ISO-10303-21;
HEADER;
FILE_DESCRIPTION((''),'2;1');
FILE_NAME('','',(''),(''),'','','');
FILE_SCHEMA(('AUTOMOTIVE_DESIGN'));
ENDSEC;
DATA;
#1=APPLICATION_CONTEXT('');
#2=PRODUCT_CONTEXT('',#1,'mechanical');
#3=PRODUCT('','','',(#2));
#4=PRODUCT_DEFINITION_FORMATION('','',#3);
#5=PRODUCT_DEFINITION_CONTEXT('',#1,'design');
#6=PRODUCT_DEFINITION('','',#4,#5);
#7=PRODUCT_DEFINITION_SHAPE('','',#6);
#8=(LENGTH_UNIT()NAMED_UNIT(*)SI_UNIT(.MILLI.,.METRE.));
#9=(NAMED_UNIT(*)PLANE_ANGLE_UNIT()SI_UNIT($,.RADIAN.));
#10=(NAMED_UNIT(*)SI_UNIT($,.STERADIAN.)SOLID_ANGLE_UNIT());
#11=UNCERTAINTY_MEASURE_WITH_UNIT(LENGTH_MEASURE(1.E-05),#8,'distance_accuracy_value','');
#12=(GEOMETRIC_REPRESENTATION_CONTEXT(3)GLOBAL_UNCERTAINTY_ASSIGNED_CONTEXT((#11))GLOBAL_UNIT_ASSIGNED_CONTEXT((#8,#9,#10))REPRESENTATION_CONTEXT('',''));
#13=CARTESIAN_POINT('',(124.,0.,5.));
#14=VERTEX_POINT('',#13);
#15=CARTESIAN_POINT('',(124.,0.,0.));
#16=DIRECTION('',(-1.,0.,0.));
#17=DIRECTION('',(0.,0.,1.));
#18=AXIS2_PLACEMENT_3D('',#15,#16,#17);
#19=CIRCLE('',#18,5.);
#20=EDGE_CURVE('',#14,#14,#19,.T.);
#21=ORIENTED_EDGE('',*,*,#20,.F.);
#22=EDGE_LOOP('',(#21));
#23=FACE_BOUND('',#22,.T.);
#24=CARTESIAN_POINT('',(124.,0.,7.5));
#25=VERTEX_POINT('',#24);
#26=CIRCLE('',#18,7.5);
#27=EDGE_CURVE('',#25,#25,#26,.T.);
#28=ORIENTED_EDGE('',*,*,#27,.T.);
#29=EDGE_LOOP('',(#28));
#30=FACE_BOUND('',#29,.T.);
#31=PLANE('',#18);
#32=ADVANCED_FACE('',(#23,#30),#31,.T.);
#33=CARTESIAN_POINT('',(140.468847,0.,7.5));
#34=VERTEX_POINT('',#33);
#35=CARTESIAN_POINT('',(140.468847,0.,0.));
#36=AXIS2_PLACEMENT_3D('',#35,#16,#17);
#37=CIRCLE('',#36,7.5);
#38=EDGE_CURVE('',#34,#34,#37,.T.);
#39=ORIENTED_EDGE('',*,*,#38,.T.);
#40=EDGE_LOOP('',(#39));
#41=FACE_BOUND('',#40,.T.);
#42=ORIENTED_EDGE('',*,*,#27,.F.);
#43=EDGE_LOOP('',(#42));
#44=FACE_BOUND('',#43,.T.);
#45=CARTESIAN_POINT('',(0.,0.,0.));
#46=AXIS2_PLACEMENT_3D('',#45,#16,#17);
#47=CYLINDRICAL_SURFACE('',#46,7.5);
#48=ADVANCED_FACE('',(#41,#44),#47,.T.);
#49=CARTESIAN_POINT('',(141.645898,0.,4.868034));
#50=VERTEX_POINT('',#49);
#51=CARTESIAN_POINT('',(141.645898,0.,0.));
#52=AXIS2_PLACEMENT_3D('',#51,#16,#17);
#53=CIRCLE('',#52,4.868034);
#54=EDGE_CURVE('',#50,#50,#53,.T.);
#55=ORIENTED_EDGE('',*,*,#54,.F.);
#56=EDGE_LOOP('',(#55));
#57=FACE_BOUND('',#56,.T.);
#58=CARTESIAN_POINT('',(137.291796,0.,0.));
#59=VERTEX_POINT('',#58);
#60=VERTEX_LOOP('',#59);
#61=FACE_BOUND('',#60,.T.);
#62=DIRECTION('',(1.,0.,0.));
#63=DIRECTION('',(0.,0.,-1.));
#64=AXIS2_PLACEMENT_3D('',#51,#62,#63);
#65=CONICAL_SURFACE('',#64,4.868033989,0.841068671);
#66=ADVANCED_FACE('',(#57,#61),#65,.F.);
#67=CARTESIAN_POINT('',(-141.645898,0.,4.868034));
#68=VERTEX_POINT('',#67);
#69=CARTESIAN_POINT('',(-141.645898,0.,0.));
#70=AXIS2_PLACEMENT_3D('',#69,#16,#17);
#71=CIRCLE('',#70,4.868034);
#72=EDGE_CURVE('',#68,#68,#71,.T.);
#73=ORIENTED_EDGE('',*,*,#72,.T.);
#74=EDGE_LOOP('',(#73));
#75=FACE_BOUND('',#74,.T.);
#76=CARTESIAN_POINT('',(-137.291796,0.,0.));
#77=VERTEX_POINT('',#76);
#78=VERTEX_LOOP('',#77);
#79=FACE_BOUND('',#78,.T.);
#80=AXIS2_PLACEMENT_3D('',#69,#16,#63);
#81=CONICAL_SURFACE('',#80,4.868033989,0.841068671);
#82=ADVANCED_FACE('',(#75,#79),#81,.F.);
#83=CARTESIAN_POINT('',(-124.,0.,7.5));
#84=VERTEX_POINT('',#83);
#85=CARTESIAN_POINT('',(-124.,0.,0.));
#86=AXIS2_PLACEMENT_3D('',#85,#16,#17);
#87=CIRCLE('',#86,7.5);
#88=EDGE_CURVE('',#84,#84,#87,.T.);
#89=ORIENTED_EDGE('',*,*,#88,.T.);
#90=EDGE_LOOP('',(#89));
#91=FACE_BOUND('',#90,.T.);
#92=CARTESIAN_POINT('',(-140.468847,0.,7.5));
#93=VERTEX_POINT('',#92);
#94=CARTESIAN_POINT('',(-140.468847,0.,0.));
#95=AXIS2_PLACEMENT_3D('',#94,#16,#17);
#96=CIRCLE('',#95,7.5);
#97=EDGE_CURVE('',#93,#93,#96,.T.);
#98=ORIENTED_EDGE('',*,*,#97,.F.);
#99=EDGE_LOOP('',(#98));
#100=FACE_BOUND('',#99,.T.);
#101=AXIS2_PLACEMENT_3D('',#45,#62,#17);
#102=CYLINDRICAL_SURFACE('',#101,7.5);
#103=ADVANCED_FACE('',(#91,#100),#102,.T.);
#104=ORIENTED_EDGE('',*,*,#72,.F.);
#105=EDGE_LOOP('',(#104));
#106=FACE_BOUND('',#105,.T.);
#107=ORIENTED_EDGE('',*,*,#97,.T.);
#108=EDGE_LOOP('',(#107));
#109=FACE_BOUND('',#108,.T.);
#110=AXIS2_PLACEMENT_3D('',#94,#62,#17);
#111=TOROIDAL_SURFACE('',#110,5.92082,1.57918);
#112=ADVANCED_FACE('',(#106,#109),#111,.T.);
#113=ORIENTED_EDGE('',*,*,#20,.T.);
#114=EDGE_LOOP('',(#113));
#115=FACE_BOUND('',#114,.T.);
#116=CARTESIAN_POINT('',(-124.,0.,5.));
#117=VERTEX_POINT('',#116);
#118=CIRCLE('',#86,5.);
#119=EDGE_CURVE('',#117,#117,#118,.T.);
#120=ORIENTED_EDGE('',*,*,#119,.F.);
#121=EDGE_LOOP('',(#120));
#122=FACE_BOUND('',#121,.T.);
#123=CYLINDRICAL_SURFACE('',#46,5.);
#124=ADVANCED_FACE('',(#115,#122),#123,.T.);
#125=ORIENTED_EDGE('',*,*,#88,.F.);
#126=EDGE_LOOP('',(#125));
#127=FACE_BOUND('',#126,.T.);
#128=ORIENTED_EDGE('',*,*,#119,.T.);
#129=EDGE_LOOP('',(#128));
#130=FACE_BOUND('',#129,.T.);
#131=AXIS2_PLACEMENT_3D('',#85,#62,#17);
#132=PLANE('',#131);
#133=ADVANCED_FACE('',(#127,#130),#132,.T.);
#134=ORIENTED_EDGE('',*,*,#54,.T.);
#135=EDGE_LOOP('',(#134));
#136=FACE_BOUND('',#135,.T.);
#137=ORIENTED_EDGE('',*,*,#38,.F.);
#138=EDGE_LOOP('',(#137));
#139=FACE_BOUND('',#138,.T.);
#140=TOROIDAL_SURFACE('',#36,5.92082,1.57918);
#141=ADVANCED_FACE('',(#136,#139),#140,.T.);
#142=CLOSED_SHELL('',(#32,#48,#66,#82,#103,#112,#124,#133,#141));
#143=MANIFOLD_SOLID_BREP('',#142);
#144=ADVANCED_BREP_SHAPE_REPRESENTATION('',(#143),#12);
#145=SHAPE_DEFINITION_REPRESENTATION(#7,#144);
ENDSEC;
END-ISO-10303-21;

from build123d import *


with BuildPart() as part:
    # Sketch1 → Revolve1 (revolve)
    with BuildSketch(Plane.XY, mode=Mode.PRIVATE) as revolve1_sk:
        with BuildLine():
            Line((137.291796068, 0), (141.645898034, 4.868033989))
            ThreePointArc((141.645898034, 4.868033989), (141.910434206, 6.565517768), (140.468847051, 7.5))
            Line((140.468847051, 7.5), (124, 7.5))
            Line((124, 7.5), (124, 5))
            Line((124, 5), (0, 5))
            Line((0, 5), (0, 0))
            Line((0, 0), (124, 0))
            Line((124, 0), (137.291796068, 0))
        make_face()
    revolve1 = revolve(revolve1_sk.sketch.rotate(Axis((0, 0, 0), (1, 0, 0)), 90), axis=Axis((0, 0, 0), (1, 0, 0)))

    # Mirror1: Revolve1 across plane
    add(revolve1.mirror(Plane.ZY))


solid = part.part
